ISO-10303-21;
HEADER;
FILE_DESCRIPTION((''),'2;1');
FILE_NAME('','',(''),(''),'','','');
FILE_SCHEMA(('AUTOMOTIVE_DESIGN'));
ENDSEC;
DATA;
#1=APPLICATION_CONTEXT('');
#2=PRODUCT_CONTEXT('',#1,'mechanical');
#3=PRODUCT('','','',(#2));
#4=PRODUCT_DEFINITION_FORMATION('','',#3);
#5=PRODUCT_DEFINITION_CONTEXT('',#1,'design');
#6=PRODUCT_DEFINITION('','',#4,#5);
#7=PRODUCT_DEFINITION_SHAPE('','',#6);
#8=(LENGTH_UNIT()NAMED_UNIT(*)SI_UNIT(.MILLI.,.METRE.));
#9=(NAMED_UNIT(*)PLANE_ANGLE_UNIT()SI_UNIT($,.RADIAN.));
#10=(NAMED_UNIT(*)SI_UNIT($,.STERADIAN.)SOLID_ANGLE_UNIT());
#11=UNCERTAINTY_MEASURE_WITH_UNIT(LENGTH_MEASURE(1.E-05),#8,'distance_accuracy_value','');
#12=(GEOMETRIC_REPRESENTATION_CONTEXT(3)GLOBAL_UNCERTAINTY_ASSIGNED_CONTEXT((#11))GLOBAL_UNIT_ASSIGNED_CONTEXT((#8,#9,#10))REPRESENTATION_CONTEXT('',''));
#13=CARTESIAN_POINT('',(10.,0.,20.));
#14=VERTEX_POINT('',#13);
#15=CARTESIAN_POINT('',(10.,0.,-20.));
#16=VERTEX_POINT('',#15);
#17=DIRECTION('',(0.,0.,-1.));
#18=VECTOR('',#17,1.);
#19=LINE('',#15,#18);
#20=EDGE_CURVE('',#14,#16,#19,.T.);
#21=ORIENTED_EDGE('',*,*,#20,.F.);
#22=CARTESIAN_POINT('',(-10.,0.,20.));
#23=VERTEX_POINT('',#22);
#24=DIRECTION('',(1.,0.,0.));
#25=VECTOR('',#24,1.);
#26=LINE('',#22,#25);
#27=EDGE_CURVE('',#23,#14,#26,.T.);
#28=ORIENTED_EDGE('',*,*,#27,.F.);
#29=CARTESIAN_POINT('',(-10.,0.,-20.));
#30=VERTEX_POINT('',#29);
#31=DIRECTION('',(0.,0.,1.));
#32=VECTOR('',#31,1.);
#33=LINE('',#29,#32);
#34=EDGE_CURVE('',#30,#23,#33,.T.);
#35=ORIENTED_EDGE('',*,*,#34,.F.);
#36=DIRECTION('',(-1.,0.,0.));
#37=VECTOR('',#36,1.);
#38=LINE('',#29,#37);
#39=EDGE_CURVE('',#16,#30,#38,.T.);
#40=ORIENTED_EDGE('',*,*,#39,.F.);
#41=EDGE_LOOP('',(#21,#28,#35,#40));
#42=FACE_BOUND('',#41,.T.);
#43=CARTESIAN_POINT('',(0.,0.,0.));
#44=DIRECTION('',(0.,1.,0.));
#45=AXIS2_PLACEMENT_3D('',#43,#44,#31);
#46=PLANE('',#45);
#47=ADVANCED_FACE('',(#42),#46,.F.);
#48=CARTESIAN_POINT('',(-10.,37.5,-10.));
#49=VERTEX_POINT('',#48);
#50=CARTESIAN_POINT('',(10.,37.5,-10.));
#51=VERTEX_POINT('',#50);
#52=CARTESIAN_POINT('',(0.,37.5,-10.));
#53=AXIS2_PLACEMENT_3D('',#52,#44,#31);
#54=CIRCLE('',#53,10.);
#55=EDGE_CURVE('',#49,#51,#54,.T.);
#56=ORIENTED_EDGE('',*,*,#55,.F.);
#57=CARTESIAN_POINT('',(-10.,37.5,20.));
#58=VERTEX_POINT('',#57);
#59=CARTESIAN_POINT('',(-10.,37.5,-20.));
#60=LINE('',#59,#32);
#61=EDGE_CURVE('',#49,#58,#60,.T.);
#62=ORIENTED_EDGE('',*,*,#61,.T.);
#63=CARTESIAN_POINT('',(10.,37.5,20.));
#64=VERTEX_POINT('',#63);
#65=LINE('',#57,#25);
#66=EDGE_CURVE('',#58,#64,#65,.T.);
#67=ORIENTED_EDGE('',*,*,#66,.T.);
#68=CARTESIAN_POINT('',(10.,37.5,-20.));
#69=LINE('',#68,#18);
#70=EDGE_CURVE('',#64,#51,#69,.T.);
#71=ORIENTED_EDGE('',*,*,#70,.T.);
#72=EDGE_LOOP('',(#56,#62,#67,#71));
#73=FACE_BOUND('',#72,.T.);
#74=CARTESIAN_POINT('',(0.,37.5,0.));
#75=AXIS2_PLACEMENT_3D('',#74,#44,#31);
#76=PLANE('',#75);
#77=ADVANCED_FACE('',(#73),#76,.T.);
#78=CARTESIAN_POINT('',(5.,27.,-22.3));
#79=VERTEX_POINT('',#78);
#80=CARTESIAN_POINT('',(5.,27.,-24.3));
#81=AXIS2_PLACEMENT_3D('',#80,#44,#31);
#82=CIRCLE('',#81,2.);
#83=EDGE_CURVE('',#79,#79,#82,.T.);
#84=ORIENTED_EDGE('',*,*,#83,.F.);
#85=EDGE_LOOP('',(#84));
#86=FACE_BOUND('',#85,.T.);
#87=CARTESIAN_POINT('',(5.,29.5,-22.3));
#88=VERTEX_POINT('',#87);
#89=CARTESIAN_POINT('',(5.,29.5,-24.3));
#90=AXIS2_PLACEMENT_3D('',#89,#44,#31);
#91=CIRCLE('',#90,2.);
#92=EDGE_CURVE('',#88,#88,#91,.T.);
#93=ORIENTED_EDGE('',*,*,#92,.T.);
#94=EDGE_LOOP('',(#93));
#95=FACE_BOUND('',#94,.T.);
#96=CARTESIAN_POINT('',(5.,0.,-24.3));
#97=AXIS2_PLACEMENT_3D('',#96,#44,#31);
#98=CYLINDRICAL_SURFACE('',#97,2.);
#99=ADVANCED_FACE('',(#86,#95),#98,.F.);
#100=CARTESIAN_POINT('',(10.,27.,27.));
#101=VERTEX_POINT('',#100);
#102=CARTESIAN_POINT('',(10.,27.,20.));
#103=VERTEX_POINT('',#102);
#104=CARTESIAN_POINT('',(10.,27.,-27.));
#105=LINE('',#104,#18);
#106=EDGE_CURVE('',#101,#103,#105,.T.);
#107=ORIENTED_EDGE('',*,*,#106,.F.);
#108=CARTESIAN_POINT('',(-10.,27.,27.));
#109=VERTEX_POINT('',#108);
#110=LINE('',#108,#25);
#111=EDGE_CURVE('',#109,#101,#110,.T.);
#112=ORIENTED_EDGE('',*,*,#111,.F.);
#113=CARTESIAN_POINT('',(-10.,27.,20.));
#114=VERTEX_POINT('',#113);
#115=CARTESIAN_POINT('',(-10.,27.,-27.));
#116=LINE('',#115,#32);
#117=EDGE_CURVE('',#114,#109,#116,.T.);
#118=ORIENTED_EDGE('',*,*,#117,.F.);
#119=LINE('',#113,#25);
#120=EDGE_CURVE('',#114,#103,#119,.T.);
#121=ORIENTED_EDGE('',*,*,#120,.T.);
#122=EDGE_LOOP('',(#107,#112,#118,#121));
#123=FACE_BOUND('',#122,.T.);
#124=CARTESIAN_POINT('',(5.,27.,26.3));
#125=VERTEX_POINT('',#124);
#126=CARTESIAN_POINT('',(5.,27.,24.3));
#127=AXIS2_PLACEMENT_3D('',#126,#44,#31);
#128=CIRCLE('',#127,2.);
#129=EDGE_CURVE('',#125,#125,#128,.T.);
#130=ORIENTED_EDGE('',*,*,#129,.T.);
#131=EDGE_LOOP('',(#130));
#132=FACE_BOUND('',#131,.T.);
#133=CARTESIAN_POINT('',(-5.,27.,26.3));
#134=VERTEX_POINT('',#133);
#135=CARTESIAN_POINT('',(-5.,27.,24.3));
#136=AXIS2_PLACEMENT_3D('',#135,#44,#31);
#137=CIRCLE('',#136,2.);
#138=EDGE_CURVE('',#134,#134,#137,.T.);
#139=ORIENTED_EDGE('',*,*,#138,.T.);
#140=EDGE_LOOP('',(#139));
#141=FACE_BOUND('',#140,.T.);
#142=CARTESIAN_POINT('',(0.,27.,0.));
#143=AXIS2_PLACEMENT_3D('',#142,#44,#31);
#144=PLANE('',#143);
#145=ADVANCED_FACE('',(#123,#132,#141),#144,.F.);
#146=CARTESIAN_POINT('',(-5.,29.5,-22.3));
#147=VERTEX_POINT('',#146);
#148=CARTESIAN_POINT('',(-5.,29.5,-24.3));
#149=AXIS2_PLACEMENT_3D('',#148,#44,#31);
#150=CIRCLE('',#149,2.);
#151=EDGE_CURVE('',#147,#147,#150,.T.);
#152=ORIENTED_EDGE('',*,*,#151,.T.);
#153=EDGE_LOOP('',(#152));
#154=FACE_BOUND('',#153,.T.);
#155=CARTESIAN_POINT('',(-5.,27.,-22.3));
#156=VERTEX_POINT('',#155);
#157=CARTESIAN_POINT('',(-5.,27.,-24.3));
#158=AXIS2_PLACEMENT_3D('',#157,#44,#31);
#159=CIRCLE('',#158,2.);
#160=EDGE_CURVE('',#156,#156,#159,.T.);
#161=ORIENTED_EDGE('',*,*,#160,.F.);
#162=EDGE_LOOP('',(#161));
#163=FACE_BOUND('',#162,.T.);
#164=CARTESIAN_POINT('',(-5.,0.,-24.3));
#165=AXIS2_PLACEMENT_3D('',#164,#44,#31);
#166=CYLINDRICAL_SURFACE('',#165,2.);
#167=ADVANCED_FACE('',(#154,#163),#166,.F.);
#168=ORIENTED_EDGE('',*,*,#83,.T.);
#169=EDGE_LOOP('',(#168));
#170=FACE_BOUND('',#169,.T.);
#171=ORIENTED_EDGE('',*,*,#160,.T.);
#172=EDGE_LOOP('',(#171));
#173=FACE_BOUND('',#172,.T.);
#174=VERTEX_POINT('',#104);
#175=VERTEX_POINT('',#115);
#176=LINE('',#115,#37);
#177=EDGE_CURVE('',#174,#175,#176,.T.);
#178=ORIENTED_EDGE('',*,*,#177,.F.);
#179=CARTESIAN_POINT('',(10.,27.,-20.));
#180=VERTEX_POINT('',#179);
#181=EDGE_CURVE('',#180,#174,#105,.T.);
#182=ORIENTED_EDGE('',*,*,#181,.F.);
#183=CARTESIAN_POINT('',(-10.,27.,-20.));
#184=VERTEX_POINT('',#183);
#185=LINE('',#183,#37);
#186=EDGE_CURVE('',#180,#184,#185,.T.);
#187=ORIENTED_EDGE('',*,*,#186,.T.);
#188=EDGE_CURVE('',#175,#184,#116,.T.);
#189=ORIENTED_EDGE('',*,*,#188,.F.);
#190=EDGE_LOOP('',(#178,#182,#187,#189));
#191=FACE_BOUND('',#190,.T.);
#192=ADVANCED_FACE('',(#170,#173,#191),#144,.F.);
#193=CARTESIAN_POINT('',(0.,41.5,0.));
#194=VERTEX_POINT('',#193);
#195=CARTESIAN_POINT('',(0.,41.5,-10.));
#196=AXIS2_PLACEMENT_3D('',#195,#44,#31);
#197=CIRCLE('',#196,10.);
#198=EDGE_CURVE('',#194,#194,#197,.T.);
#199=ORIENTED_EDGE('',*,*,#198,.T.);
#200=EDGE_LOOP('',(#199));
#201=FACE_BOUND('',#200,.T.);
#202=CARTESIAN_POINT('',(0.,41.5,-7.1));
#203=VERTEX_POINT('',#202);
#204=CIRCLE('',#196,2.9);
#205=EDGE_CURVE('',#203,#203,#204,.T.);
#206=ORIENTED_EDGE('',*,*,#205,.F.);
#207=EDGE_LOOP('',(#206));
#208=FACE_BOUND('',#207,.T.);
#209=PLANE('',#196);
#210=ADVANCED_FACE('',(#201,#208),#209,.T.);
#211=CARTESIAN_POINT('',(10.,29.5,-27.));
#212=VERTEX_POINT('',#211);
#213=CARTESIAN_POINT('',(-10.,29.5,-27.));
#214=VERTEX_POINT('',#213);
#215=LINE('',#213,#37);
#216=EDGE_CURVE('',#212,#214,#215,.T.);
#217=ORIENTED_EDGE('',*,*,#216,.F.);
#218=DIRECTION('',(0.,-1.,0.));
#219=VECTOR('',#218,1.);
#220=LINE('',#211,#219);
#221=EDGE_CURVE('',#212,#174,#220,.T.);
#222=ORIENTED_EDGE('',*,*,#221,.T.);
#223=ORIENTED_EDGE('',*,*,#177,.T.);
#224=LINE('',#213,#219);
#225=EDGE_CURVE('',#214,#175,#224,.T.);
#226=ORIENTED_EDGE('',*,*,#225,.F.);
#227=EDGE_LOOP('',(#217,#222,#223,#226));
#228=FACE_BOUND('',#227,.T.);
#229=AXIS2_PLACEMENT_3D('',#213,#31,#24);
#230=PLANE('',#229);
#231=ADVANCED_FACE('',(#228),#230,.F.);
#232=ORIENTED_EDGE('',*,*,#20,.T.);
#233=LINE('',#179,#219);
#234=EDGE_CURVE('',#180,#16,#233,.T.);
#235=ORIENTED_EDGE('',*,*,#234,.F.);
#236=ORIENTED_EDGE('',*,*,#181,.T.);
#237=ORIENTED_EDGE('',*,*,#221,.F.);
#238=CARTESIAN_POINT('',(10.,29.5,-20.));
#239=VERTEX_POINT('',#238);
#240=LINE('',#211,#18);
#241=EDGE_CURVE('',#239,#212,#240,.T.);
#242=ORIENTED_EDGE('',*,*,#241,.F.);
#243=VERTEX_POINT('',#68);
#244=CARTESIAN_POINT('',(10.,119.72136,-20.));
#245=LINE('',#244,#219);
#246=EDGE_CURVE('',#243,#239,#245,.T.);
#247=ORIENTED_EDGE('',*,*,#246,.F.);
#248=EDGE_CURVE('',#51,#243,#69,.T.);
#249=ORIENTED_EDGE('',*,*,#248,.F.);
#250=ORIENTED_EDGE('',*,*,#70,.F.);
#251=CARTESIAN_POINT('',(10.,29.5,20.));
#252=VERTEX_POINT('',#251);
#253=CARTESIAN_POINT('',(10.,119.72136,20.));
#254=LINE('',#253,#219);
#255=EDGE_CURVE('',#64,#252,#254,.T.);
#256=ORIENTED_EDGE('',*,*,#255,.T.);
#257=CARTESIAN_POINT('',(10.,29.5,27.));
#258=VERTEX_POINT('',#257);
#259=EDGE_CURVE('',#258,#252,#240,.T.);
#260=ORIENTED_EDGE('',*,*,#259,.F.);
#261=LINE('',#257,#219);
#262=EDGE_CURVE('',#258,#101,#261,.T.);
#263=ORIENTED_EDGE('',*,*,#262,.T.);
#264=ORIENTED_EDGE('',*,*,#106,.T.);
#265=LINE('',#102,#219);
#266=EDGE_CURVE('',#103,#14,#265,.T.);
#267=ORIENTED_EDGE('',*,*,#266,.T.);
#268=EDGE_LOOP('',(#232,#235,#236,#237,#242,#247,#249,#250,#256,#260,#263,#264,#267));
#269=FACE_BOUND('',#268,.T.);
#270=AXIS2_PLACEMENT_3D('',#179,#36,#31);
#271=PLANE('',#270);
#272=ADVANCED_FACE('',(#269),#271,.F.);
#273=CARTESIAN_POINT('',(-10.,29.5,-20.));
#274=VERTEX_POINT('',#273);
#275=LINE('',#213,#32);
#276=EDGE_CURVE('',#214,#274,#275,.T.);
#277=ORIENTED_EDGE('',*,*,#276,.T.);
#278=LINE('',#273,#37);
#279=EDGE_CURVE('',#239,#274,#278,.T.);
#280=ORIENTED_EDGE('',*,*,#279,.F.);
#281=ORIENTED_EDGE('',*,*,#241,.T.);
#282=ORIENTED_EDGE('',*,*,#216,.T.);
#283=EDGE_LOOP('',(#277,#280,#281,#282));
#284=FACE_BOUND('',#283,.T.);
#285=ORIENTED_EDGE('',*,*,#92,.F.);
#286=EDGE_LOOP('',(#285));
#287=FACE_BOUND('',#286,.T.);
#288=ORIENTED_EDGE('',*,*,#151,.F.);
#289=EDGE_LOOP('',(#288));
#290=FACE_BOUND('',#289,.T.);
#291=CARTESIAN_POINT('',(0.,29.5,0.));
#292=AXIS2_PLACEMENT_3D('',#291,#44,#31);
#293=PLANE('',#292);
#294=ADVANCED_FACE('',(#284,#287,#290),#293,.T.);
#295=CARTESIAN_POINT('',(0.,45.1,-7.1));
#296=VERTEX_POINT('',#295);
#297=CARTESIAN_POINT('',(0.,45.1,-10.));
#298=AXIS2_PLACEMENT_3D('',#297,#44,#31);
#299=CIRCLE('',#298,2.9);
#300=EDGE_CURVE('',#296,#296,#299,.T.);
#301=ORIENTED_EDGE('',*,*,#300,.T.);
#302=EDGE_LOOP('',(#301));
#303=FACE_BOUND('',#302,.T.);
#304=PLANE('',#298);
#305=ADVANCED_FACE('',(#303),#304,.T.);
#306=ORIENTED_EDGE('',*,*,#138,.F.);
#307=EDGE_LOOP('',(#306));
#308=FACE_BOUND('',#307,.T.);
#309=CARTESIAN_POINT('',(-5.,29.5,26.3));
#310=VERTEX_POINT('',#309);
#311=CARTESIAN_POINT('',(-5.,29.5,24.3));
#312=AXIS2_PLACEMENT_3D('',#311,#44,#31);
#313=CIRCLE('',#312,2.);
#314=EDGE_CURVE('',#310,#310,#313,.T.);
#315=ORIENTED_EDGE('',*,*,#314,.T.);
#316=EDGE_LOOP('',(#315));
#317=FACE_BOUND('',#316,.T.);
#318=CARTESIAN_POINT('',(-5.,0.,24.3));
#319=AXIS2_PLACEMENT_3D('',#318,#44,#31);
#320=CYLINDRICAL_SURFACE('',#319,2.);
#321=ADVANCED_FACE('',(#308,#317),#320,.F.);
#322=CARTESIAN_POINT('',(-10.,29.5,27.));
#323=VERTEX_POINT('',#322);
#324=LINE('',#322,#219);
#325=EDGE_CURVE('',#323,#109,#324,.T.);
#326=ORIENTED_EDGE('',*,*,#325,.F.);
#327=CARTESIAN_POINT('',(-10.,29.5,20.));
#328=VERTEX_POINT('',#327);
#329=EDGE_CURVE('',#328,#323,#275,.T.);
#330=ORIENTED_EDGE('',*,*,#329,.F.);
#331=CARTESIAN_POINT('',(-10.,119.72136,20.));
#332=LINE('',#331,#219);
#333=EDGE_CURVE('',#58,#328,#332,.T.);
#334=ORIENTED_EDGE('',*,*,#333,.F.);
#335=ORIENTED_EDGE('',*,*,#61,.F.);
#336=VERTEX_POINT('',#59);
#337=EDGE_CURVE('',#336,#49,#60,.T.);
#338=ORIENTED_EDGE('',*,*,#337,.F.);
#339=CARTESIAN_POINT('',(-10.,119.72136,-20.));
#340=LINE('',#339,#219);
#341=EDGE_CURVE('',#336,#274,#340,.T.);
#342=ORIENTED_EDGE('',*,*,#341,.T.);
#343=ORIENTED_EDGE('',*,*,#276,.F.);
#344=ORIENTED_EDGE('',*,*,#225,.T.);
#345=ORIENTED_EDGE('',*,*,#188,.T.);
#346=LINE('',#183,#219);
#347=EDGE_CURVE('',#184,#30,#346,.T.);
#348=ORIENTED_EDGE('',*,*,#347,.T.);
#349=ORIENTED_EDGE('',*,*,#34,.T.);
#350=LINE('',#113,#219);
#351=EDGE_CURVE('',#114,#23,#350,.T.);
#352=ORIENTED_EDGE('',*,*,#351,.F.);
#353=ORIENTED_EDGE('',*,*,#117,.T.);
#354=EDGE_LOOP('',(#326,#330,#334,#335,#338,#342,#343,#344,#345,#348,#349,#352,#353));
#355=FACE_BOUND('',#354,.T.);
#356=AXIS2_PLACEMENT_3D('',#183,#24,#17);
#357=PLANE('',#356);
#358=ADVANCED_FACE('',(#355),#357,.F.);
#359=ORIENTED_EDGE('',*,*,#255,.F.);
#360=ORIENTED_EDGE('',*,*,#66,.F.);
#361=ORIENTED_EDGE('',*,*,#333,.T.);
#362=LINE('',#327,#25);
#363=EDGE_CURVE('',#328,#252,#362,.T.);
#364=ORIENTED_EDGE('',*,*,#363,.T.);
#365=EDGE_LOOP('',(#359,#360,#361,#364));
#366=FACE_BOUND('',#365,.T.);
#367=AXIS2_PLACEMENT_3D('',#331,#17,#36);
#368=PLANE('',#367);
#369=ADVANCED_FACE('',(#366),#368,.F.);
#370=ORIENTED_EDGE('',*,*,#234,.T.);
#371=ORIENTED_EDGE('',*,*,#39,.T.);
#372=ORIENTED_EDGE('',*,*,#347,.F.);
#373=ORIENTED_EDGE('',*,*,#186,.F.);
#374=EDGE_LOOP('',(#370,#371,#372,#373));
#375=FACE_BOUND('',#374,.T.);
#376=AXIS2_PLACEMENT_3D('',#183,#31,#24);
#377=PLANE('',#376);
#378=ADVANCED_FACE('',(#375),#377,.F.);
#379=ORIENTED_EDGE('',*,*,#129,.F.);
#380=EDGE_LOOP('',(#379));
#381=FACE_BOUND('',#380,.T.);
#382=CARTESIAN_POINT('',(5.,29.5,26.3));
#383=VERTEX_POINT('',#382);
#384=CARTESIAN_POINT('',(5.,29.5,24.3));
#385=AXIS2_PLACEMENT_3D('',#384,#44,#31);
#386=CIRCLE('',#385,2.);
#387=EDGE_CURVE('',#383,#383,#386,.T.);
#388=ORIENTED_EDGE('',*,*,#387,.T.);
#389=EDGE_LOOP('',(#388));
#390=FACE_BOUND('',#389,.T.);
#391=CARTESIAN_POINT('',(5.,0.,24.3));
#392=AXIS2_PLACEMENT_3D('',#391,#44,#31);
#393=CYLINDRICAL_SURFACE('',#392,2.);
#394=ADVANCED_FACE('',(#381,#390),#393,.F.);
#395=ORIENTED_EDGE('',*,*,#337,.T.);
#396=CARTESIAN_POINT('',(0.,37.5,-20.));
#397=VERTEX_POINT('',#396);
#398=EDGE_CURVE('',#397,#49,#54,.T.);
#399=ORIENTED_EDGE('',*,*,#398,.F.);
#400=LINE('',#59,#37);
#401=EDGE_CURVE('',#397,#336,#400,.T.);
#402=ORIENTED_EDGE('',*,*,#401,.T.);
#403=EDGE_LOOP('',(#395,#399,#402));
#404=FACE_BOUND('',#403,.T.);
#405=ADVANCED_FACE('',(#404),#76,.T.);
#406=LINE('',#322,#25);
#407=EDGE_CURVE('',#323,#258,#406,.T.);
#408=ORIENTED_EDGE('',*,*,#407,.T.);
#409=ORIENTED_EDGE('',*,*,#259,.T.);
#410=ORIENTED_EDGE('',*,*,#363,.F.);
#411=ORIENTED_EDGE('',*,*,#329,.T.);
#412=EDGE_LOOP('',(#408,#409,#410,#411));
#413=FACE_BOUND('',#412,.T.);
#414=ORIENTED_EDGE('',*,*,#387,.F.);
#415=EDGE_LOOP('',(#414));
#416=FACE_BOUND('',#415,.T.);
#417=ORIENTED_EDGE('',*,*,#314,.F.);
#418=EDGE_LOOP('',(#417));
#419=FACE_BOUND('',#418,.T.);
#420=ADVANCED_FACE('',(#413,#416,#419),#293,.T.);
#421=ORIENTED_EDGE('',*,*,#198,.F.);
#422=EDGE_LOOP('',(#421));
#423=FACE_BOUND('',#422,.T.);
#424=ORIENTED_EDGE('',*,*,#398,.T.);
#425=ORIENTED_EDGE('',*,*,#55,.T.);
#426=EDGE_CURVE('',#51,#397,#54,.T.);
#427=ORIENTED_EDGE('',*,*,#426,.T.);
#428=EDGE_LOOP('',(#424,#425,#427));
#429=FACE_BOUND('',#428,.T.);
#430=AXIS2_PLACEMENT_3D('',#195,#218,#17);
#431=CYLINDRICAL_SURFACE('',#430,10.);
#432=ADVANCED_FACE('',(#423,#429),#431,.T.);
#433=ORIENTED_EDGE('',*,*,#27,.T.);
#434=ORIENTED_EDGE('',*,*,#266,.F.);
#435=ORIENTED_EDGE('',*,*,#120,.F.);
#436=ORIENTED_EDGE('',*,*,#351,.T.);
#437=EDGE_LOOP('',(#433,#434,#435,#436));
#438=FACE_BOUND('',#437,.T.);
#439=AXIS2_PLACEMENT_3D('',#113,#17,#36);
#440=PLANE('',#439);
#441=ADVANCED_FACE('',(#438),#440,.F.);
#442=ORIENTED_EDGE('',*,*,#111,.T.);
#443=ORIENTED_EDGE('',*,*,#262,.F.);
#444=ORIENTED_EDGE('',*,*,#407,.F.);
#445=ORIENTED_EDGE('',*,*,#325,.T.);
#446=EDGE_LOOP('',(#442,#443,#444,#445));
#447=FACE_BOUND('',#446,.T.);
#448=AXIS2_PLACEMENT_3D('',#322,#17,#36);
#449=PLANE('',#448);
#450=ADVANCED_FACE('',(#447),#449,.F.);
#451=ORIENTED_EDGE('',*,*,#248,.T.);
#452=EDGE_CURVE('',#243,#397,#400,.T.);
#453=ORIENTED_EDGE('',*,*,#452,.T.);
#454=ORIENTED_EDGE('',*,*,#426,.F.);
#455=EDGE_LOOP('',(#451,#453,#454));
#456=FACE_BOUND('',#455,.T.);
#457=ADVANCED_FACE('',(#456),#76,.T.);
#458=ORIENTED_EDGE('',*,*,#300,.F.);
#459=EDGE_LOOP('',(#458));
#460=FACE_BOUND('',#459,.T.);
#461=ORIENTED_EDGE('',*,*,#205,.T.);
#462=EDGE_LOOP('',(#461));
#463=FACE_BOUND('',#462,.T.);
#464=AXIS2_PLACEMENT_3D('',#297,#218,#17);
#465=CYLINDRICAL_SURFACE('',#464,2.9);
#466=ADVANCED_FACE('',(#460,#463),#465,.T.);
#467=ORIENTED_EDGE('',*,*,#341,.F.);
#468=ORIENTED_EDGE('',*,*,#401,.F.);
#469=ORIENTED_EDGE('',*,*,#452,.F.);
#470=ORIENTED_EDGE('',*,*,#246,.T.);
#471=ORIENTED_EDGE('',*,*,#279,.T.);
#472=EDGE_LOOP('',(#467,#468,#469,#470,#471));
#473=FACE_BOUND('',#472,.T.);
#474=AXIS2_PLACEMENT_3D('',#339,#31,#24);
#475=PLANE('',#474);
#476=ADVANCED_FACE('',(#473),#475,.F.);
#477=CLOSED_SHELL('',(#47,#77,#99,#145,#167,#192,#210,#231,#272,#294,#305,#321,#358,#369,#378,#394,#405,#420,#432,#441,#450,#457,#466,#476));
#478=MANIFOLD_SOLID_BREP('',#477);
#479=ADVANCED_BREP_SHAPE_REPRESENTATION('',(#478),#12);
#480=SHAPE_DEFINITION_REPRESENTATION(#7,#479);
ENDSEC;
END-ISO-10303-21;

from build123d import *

# Parameters (mm, degrees)
SKETCH_1_W          = 20
SKETCH_1_H          = 40
EXTRUDE_1_DEPTH     = 27
SKETCH_2_W          = 20
SKETCH_2_H          = 54
EXTRUDE_2_DEPTH     = 2.5
SKETCH_3_W          = 20
SKETCH_3_H          = 40
EXTRUDE_3_DEPTH     = 8
SKETCH_4_R          = 2
CUT_EXTRUDE_1_DEPTH = 42.221960167
SKETCH_5_R          = 10
EXTRUDE_4_DEPTH     = 4
SKETCH_6_R          = 2.9
EXTRUDE_5_DEPTH     = 3.6


with BuildPart() as part:
    # 草图1 → 凸台-拉伸1 (new body)
    with BuildSketch(Plane(origin=(0, 0, 0), x_dir=(1, 0, 0), z_dir=(0, 1, 0))):
        Rectangle(SKETCH_1_W, SKETCH_1_H)
    extrude(amount=EXTRUDE_1_DEPTH)

    # 草图2 → 凸台-拉伸2 (add)
    with BuildSketch(Plane(origin=(0, 27, 0), x_dir=(1, 0, 0), z_dir=(0, 1, 0))):
        Rectangle(SKETCH_2_W, SKETCH_2_H)
    extrude(amount=EXTRUDE_2_DEPTH)

    # 草图3 → 凸台-拉伸3 (add)
    with BuildSketch(Plane(origin=(0, 29.5, 0), x_dir=(1, 0, 0), z_dir=(0, 1, 0))):
        Rectangle(SKETCH_3_W, SKETCH_3_H)
    extrude(amount=EXTRUDE_3_DEPTH)

    # 草图4 → 切除-拉伸1 (cut, through all)
    with BuildSketch(Plane(origin=(0, 29.5, 0), x_dir=(1, 0, 0), z_dir=(0, 1, 0))):
        with Locations(Location((-5, -24.3, 0), (0, 0, 270))):
            Circle(SKETCH_4_R)
        with Locations(Location((5, -24.3, 0), (0, 0, 270))):
            Circle(SKETCH_4_R)
        with Locations(Location((-5, 24.3, 0), (0, 0, 270))):
            Circle(SKETCH_4_R)
        with Locations(Location((5, 24.3, 0), (0, 0, 270))):
            Circle(SKETCH_4_R)
    extrude(amount=-CUT_EXTRUDE_1_DEPTH, mode=Mode.SUBTRACT)

    # 草图5 → 凸台-拉伸4 (add)
    with BuildSketch(Plane(origin=(0, 37.5, 0), x_dir=(1, 0, 0), z_dir=(0, 1, 0))):
        with Locations(Location((0, 10, 0), (0, 0, 90))):
            Circle(SKETCH_5_R)
    extrude(amount=EXTRUDE_4_DEPTH)

    # 草图6 → 凸台-拉伸5 (add)
    with BuildSketch(Plane(origin=(0, 41.5, 0), x_dir=(1, 0, 0), z_dir=(0, 1, 0))):
        with Locations(Location((0, 10, 0), (0, 0, 270))):
            Circle(SKETCH_6_R)
    extrude(amount=EXTRUDE_5_DEPTH)


solid = part.part
